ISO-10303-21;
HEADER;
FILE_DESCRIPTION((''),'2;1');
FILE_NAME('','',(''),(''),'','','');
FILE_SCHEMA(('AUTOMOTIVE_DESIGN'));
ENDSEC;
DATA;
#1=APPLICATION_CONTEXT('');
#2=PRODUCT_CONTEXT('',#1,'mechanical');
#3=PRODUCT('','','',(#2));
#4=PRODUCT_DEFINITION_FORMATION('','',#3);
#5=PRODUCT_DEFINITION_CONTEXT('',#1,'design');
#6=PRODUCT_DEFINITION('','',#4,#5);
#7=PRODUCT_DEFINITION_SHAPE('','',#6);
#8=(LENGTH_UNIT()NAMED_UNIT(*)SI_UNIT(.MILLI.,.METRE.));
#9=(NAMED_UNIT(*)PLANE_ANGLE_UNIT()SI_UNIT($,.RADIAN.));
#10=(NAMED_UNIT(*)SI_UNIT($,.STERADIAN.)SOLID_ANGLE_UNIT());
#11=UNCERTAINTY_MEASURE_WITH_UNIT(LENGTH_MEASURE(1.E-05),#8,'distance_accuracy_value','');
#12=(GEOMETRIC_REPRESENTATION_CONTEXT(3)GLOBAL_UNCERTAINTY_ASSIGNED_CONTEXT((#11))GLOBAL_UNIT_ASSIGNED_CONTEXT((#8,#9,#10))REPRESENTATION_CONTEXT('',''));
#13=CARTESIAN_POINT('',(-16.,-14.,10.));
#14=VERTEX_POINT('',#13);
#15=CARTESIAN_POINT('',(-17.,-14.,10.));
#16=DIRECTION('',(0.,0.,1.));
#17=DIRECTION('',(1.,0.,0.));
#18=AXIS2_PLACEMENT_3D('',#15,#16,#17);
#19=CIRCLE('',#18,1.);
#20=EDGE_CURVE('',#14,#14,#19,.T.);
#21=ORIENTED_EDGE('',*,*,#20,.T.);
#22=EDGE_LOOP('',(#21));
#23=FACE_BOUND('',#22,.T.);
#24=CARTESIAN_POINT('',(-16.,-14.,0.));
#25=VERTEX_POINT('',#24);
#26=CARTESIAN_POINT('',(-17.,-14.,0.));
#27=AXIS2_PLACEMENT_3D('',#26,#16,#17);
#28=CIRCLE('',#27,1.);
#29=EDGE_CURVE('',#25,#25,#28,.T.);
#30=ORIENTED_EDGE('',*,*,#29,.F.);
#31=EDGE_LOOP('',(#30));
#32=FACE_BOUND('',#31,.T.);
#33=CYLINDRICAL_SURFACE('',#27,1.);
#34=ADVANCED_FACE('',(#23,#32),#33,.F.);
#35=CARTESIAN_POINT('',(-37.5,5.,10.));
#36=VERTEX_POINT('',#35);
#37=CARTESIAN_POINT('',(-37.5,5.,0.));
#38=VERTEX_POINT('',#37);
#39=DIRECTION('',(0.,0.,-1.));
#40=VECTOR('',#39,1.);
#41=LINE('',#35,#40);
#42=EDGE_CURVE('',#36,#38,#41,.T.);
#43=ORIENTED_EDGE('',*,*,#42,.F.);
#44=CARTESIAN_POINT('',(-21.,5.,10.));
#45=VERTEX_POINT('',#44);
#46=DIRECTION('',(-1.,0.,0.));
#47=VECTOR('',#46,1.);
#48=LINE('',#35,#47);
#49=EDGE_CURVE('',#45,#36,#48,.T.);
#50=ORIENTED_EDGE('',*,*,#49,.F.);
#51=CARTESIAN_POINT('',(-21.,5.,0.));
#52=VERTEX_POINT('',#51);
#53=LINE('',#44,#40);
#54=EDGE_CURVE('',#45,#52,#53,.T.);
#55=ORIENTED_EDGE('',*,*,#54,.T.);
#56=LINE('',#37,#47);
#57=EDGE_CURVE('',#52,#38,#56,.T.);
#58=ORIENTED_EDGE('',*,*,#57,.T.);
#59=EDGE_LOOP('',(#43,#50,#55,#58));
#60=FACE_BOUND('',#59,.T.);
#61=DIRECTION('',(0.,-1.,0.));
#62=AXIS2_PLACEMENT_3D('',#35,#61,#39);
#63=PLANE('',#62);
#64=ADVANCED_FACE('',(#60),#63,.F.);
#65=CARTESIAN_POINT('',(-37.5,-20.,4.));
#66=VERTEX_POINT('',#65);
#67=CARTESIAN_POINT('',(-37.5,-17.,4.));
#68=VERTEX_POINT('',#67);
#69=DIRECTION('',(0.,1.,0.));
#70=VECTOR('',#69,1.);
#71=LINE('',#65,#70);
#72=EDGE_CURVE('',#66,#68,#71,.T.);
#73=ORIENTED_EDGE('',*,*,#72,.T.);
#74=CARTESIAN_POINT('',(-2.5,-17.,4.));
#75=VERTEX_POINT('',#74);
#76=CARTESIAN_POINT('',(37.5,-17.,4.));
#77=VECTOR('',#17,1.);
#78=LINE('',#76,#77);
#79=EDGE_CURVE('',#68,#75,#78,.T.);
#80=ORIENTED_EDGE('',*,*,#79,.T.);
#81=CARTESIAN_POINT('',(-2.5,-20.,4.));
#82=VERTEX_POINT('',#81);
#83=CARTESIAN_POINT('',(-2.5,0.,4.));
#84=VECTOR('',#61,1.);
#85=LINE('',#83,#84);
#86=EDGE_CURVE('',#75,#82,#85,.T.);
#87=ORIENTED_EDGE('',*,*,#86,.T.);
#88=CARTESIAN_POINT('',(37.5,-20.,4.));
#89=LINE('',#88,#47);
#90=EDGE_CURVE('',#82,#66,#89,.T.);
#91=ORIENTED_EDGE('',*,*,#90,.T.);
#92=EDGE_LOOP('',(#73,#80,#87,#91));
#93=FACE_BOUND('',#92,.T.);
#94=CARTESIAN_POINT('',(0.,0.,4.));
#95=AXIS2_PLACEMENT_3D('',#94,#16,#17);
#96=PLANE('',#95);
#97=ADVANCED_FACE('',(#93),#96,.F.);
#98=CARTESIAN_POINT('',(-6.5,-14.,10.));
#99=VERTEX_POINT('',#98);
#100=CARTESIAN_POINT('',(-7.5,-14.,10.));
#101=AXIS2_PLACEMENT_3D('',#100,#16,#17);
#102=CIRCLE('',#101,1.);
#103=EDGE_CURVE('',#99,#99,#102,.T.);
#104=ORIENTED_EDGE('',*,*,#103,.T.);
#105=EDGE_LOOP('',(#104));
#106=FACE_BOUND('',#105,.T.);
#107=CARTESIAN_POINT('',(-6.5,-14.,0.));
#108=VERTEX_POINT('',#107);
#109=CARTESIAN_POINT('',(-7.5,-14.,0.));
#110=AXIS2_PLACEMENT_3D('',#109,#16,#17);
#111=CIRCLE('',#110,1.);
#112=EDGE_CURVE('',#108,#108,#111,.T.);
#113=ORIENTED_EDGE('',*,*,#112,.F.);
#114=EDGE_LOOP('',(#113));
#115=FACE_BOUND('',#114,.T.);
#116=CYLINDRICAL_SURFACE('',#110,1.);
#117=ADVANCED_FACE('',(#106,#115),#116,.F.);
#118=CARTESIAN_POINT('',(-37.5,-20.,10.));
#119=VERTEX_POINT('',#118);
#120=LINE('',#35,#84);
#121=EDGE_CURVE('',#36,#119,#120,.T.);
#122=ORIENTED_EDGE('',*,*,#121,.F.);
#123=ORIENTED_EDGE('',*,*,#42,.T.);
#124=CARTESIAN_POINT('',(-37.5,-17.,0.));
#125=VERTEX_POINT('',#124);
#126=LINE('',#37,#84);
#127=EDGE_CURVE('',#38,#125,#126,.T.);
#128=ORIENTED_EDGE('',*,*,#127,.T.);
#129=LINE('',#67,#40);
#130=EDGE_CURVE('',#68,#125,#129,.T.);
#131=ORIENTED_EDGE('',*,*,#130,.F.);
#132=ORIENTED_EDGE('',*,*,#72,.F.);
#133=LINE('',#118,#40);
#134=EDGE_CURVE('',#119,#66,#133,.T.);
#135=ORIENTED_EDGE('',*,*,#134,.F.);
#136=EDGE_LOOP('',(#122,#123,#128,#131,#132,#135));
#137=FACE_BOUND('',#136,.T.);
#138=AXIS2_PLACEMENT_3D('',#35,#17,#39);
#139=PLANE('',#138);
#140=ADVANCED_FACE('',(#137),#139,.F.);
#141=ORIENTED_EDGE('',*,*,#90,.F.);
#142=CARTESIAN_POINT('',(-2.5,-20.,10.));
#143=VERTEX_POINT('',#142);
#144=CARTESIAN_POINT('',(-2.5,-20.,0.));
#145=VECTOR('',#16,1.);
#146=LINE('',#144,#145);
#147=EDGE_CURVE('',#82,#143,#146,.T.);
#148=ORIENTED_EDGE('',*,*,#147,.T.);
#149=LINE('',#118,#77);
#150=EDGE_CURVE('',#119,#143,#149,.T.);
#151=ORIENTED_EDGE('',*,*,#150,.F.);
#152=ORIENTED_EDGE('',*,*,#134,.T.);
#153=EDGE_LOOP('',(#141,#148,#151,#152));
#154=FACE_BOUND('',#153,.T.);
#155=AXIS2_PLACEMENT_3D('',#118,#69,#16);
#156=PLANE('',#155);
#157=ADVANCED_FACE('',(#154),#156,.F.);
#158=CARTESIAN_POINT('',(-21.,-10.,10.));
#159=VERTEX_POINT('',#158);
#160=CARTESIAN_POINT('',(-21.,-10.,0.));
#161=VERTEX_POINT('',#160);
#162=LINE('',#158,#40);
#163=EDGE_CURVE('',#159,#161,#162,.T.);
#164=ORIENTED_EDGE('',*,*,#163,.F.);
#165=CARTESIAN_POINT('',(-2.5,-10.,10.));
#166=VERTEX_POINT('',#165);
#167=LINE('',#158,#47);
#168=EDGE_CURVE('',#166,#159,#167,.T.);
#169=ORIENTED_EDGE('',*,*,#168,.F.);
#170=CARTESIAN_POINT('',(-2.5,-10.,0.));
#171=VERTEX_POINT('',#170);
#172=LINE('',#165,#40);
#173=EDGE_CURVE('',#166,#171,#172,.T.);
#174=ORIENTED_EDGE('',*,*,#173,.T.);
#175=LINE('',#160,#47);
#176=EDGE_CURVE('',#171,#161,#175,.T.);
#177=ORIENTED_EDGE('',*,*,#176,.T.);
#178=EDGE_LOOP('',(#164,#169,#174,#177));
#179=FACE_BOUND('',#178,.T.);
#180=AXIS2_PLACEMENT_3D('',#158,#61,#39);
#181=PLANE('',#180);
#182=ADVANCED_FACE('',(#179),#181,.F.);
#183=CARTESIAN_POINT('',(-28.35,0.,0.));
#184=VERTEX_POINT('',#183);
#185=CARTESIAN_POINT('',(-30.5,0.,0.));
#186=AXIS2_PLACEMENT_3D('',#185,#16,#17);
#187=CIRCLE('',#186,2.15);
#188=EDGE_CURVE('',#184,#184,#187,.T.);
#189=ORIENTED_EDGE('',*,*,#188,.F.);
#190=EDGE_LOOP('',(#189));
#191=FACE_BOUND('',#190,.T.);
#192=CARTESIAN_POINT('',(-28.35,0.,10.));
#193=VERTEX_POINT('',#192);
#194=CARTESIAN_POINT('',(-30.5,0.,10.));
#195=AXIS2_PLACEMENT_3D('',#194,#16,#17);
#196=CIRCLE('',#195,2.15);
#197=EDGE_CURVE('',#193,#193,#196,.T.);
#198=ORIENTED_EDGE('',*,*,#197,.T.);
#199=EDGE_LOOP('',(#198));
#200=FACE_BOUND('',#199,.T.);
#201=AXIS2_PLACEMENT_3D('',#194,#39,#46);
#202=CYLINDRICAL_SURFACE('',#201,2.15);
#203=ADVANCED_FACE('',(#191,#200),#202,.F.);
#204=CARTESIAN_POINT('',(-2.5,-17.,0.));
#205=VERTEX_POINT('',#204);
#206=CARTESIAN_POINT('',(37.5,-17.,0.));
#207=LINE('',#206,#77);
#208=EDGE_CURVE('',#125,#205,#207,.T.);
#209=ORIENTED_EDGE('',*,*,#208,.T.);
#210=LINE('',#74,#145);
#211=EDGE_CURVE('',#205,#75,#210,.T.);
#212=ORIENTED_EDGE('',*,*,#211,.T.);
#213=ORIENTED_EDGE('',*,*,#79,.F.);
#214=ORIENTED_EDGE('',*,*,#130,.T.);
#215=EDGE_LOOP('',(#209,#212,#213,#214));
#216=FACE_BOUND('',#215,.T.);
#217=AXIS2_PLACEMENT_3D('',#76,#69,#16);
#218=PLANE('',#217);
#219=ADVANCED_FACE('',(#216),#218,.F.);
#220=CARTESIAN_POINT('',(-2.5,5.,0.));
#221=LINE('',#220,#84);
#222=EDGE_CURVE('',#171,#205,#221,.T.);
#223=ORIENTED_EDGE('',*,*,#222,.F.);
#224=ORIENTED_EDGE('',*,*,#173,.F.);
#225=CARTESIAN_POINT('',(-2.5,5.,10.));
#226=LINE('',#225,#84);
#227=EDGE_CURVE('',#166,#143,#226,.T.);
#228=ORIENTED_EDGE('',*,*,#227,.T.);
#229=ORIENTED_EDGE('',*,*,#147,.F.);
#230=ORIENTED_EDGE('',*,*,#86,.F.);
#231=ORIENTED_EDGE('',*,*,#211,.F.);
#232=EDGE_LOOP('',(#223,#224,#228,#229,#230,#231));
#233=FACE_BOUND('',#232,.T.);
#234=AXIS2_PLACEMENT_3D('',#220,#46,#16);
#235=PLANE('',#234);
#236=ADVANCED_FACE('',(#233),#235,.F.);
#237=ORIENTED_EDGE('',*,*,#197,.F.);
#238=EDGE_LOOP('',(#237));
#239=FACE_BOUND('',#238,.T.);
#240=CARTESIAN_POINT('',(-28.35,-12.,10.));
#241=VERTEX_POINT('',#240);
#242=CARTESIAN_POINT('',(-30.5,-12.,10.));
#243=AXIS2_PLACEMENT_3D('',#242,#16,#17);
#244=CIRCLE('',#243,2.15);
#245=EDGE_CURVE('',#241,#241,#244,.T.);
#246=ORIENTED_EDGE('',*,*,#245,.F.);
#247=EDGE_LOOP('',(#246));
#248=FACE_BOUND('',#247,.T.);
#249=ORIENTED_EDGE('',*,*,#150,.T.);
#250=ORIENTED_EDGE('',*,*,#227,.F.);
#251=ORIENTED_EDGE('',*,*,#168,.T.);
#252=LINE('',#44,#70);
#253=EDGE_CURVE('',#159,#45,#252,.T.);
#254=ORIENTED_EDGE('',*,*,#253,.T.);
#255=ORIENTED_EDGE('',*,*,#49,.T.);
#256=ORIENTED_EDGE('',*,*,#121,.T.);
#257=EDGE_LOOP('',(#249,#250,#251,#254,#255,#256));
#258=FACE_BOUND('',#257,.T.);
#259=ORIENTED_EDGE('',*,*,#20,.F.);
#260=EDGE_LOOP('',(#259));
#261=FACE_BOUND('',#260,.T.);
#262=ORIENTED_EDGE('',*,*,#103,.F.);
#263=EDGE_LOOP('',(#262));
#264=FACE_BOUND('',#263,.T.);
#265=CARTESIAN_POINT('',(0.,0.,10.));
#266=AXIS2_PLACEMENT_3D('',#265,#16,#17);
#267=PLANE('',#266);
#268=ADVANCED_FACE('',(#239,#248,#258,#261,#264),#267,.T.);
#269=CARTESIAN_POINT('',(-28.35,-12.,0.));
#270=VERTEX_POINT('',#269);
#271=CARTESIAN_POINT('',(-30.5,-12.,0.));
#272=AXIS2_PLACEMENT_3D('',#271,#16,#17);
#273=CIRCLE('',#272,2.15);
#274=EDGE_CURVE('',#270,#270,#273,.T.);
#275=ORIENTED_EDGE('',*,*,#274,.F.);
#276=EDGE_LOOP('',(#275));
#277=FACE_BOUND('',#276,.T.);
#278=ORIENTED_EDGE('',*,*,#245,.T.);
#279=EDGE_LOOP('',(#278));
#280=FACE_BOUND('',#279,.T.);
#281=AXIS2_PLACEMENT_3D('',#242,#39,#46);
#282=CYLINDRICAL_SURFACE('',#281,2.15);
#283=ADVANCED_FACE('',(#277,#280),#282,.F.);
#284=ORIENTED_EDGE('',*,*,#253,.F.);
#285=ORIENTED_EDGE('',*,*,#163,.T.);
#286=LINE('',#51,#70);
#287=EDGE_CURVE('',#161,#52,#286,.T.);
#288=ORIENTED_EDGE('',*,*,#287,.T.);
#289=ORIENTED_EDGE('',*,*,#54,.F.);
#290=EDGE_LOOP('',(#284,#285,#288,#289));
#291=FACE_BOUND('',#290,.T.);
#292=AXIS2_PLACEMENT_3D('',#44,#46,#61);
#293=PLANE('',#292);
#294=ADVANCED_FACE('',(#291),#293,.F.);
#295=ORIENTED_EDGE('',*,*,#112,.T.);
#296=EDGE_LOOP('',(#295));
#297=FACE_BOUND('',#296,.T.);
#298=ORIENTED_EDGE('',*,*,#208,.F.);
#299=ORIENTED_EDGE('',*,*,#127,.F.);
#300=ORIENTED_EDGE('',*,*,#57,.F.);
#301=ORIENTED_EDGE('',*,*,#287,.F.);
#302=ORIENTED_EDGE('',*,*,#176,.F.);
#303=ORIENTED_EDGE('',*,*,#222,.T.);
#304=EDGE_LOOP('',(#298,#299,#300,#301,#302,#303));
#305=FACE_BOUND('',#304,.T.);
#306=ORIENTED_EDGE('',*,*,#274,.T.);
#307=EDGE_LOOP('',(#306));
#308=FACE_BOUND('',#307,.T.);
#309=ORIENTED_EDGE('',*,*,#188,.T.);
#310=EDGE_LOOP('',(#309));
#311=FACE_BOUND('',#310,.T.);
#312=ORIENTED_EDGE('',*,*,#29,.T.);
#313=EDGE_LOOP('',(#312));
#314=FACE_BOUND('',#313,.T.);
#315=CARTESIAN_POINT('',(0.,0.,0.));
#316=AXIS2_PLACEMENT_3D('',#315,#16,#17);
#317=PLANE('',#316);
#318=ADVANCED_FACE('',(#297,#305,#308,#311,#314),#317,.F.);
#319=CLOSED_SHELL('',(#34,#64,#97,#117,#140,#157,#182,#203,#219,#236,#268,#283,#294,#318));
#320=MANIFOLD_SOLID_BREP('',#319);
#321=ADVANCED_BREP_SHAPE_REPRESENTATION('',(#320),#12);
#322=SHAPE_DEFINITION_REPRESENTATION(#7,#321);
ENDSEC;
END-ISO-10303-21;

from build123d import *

# Parameters (mm, degrees)
SKETCH1_R           = 2.15
BOSS_EXTRUDE1_DEPTH = 10
SKETCH3_W           = 75
SKETCH3_H           = 3
CUT_EXTRUDE1_DEPTH  = 4
SKETCH4_W           = 40
SKETCH4_H           = 25
CUT_EXTRUDE2_DEPTH  = 44.660622991
SKETCH5_R           = 1
CUT_EXTRUDE3_DEPTH  = 44.660622991


with BuildPart() as part:
    # Sketch1 → Boss-Extrude1 (new body)
    with BuildSketch(Plane.XY):
        Polygon((21, 5), (37.5, 5), (37.5, -20), (-37.5, -20), (-37.5, 5), (-21, 5), (-21, -10), (21, -10), align=None)
        with Locations((-30.5, 0)):
            Circle(SKETCH1_R, mode=Mode.SUBTRACT)
        with Locations((-30.5, -12)):
            Circle(SKETCH1_R, mode=Mode.SUBTRACT)
        with Locations((30.5, 0)):
            Circle(SKETCH1_R, mode=Mode.SUBTRACT)
        with Locations((30.5, -12)):
            Circle(SKETCH1_R, mode=Mode.SUBTRACT)
    extrude(amount=BOSS_EXTRUDE1_DEPTH)

    # Sketch3 → Cut-Extrude1 (cut)
    with BuildSketch(Plane(origin=(0, 0, 0), x_dir=(-1, 0, 0), z_dir=(0, 0, -1))):
        with Locations((0, -18.5)):
            Rectangle(SKETCH3_W, SKETCH3_H)
    extrude(amount=-CUT_EXTRUDE1_DEPTH, mode=Mode.SUBTRACT)

    # Sketch4 → Cut-Extrude2 (cut, through all)
    with BuildSketch(Plane.XY.offset(10)):
        with Locations((17.5, -7.5)):
            Rectangle(SKETCH4_W, SKETCH4_H)
    extrude(amount=-CUT_EXTRUDE2_DEPTH, mode=Mode.SUBTRACT)

    # Sketch5 → Cut-Extrude3 (cut, through all)
    with BuildSketch(Plane.XY.offset(10)):
        with Locations((-7.5, -14)):
            Circle(SKETCH5_R)
        with Locations((-17, -14)):
            Circle(SKETCH5_R)
    extrude(amount=-CUT_EXTRUDE3_DEPTH, mode=Mode.SUBTRACT)


solid = part.part
